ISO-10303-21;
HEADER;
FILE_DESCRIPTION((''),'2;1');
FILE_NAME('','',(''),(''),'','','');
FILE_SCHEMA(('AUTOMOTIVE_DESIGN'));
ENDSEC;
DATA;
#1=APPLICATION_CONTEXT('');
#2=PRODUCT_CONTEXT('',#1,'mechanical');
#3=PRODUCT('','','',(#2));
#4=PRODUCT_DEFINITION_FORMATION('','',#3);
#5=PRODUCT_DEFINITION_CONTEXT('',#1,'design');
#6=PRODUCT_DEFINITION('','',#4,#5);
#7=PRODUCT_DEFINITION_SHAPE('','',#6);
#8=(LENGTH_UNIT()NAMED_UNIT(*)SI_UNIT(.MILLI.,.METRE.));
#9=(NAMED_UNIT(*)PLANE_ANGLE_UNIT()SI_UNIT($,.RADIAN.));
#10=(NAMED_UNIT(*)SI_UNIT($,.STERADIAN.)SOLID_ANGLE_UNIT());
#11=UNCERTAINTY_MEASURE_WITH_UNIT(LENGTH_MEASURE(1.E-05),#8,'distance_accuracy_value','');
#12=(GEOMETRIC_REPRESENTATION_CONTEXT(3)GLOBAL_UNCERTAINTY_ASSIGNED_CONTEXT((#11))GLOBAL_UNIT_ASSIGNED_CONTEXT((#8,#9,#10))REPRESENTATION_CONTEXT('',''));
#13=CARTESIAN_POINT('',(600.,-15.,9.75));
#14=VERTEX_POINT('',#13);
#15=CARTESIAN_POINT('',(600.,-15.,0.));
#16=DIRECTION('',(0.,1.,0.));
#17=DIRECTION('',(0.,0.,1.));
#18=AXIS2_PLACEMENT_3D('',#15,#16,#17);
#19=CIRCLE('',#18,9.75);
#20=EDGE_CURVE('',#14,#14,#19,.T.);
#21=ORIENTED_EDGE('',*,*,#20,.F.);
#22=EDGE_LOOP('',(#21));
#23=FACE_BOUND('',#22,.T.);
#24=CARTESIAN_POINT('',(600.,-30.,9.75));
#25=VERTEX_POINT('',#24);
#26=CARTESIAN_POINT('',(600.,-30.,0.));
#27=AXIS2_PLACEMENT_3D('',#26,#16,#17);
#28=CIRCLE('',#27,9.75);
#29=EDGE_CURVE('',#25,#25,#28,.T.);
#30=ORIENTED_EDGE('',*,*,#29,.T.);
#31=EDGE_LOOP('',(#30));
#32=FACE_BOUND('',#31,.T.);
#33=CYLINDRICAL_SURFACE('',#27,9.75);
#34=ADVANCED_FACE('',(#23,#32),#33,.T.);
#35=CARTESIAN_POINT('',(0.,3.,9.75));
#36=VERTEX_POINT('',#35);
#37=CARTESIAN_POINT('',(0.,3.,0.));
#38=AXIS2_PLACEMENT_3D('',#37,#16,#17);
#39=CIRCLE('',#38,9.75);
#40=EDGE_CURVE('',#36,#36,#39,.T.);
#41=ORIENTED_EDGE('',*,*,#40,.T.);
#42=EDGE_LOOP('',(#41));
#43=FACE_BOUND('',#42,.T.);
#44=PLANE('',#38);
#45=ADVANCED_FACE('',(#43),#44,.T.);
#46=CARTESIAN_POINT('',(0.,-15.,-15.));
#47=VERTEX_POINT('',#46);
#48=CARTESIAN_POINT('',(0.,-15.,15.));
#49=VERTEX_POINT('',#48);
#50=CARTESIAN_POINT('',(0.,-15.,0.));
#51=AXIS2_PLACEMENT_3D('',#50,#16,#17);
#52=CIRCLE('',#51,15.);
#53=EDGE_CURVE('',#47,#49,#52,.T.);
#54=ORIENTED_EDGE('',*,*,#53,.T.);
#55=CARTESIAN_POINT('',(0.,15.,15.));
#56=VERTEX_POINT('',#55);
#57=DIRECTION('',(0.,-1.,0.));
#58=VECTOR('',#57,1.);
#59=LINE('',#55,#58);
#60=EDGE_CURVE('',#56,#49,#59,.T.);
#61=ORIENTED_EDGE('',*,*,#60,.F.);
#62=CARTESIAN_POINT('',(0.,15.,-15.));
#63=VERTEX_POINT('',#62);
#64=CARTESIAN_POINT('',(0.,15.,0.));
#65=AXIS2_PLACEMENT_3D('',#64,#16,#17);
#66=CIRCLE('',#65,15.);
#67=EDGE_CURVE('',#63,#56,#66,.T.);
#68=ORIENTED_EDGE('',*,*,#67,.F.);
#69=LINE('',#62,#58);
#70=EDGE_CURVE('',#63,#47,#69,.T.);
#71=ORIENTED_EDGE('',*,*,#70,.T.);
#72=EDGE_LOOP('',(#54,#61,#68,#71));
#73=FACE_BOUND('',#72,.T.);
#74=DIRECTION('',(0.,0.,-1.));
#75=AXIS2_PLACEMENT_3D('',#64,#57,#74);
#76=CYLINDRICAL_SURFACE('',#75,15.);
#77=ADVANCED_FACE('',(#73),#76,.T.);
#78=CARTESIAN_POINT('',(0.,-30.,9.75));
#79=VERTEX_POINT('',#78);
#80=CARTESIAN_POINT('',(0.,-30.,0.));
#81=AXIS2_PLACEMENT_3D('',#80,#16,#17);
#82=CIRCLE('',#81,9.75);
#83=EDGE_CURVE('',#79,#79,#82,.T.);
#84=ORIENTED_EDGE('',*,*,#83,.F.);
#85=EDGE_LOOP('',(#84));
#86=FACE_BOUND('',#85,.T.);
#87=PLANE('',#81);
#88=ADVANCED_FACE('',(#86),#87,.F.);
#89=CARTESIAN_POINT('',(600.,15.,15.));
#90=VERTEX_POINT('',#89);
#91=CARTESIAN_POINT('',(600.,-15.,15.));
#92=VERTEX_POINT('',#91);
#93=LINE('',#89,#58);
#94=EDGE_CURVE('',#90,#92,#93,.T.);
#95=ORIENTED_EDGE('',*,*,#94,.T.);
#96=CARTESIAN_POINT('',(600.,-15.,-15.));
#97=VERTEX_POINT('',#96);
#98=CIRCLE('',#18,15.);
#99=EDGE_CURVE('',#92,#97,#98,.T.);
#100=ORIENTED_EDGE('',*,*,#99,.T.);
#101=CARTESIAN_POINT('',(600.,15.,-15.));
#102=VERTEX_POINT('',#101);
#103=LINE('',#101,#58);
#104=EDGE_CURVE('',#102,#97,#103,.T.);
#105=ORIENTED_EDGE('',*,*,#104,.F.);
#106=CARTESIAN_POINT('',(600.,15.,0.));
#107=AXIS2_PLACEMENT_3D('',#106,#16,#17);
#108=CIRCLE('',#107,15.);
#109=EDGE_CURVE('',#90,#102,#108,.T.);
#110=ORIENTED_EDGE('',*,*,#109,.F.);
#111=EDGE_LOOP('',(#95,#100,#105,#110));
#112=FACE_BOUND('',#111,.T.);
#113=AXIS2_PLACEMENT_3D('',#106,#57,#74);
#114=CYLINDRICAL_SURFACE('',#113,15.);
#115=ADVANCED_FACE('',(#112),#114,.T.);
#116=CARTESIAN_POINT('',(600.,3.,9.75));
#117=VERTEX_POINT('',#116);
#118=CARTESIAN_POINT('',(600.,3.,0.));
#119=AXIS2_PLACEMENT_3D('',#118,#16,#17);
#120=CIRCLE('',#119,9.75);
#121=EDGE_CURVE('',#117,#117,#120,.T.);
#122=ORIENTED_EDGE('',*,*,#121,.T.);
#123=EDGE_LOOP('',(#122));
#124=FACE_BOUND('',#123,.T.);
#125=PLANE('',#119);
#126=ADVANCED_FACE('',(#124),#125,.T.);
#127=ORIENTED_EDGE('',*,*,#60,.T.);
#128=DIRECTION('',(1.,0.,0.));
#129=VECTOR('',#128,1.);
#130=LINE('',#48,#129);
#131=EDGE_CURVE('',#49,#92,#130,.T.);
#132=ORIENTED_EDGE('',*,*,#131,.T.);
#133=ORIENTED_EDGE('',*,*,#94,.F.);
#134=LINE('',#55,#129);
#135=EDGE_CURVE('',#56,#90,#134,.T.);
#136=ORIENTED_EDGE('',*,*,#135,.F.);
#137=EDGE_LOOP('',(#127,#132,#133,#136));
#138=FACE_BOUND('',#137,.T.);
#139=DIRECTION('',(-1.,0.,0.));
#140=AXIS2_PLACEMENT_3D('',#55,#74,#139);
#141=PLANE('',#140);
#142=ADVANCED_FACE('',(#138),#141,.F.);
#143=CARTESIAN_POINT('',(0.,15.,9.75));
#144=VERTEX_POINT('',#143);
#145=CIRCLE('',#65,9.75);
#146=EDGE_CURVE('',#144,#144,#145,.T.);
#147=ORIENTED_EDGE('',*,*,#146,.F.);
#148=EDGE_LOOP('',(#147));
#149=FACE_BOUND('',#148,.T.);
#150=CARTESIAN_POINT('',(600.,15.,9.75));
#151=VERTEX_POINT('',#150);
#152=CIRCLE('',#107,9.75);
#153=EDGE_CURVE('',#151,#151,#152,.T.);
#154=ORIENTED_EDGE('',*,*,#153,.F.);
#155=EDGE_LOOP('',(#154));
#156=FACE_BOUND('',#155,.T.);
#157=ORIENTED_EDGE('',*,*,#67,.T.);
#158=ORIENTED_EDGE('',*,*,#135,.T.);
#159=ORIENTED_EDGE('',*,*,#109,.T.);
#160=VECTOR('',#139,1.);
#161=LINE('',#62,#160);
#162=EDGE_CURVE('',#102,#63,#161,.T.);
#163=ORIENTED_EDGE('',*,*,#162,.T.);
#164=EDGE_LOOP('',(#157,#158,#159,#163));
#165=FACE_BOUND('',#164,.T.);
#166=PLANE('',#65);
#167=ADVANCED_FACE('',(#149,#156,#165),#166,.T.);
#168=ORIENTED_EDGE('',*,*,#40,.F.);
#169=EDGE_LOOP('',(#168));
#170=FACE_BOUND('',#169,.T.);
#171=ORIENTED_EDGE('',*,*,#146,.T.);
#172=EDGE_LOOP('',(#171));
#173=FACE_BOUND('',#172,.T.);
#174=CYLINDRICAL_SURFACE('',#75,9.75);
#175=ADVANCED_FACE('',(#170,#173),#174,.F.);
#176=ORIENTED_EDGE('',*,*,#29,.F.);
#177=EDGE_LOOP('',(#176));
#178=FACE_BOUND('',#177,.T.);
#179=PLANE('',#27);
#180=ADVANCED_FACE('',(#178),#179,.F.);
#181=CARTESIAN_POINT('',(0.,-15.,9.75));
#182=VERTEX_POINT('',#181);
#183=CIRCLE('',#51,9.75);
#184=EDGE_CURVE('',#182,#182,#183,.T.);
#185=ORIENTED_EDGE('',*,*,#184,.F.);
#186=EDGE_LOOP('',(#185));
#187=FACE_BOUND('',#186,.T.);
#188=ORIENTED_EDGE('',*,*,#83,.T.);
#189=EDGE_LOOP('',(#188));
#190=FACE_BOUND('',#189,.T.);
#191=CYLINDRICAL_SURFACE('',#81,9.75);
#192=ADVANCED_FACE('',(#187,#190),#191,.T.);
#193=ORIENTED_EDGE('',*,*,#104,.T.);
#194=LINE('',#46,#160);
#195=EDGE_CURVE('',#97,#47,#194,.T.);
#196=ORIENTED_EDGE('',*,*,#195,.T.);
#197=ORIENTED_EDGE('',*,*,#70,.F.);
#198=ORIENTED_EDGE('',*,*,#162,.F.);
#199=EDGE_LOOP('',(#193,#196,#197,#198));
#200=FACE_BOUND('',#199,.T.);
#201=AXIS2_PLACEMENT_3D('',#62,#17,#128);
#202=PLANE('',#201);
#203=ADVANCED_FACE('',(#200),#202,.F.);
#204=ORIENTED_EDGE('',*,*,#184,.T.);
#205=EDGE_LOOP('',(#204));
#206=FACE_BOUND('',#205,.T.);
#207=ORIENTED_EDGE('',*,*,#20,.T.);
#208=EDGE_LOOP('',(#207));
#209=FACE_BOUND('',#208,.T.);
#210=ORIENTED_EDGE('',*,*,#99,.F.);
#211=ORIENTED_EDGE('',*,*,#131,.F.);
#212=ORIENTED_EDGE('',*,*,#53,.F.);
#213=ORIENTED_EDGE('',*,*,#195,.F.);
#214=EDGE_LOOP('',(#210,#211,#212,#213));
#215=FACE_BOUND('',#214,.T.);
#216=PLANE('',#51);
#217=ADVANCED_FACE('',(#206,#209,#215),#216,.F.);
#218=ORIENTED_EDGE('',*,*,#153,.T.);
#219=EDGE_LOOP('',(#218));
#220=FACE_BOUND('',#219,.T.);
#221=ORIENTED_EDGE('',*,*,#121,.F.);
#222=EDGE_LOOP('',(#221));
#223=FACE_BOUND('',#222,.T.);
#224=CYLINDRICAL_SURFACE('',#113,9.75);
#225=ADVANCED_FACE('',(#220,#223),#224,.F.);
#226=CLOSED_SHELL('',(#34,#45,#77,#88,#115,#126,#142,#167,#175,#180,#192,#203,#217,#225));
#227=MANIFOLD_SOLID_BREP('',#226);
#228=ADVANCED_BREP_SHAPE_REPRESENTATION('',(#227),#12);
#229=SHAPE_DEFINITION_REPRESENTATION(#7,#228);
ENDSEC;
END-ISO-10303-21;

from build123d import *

# Parameters (mm, degrees)
BOSS_EXTRUDE1_DEPTH = 15
SKETCH3_R           = 9.75
CUT_EXTRUDE2_DEPTH  = 616.365744903
BOSS_EXTRUDE2_START = -30
SKETCH3_3_R         = 9.75
BOSS_EXTRUDE2_DEPTH = 30
SKETCH3_4_R         = 9.75
BOSS_EXTRUDE3_DEPTH = 3


with BuildPart() as part:
    # Sketch1 → Boss-Extrude1 (new, symmetric)
    with BuildSketch(Plane(origin=(0, 0, 0), x_dir=(1, 0, 0), z_dir=(0, 1, 0))):
        with BuildLine():
            Line((0, 15), (600, 15))
            ThreePointArc((600, 15), (615, 0), (600, -15))
            Line((600, -15), (0, -15))
            ThreePointArc((0, -15), (-15, 0), (0, 15))
        make_face()
    extrude(amount=BOSS_EXTRUDE1_DEPTH, both=True)

    # Sketch3 → Cut-Extrude2 (cut, through all)
    with BuildSketch(Plane(origin=(0, 0, 0), x_dir=(1, 0, 0), z_dir=(0, 1, 0))):
        Circle(SKETCH3_R)
        with Locations((600, 0)):
            Circle(SKETCH3_R)
    extrude(amount=CUT_EXTRUDE2_DEPTH, mode=Mode.SUBTRACT)

    # Sketch3<3> → Boss-Extrude2 (add)
    with BuildSketch(Plane(origin=(0, 0, 0), x_dir=(1, 0, 0), z_dir=(0, 1, 0)).offset(BOSS_EXTRUDE2_START)):
        Circle(SKETCH3_3_R)
        with Locations((600, 0)):
            Circle(SKETCH3_3_R)
    extrude(amount=BOSS_EXTRUDE2_DEPTH)

    # Sketch3<4> → Boss-Extrude3 (add)
    with BuildSketch(Plane(origin=(0, 0, 0), x_dir=(1, 0, 0), z_dir=(0, 1, 0))):
        Circle(SKETCH3_4_R)
        with Locations((600, 0)):
            Circle(SKETCH3_4_R)
    extrude(amount=BOSS_EXTRUDE3_DEPTH)


solid = part.part
